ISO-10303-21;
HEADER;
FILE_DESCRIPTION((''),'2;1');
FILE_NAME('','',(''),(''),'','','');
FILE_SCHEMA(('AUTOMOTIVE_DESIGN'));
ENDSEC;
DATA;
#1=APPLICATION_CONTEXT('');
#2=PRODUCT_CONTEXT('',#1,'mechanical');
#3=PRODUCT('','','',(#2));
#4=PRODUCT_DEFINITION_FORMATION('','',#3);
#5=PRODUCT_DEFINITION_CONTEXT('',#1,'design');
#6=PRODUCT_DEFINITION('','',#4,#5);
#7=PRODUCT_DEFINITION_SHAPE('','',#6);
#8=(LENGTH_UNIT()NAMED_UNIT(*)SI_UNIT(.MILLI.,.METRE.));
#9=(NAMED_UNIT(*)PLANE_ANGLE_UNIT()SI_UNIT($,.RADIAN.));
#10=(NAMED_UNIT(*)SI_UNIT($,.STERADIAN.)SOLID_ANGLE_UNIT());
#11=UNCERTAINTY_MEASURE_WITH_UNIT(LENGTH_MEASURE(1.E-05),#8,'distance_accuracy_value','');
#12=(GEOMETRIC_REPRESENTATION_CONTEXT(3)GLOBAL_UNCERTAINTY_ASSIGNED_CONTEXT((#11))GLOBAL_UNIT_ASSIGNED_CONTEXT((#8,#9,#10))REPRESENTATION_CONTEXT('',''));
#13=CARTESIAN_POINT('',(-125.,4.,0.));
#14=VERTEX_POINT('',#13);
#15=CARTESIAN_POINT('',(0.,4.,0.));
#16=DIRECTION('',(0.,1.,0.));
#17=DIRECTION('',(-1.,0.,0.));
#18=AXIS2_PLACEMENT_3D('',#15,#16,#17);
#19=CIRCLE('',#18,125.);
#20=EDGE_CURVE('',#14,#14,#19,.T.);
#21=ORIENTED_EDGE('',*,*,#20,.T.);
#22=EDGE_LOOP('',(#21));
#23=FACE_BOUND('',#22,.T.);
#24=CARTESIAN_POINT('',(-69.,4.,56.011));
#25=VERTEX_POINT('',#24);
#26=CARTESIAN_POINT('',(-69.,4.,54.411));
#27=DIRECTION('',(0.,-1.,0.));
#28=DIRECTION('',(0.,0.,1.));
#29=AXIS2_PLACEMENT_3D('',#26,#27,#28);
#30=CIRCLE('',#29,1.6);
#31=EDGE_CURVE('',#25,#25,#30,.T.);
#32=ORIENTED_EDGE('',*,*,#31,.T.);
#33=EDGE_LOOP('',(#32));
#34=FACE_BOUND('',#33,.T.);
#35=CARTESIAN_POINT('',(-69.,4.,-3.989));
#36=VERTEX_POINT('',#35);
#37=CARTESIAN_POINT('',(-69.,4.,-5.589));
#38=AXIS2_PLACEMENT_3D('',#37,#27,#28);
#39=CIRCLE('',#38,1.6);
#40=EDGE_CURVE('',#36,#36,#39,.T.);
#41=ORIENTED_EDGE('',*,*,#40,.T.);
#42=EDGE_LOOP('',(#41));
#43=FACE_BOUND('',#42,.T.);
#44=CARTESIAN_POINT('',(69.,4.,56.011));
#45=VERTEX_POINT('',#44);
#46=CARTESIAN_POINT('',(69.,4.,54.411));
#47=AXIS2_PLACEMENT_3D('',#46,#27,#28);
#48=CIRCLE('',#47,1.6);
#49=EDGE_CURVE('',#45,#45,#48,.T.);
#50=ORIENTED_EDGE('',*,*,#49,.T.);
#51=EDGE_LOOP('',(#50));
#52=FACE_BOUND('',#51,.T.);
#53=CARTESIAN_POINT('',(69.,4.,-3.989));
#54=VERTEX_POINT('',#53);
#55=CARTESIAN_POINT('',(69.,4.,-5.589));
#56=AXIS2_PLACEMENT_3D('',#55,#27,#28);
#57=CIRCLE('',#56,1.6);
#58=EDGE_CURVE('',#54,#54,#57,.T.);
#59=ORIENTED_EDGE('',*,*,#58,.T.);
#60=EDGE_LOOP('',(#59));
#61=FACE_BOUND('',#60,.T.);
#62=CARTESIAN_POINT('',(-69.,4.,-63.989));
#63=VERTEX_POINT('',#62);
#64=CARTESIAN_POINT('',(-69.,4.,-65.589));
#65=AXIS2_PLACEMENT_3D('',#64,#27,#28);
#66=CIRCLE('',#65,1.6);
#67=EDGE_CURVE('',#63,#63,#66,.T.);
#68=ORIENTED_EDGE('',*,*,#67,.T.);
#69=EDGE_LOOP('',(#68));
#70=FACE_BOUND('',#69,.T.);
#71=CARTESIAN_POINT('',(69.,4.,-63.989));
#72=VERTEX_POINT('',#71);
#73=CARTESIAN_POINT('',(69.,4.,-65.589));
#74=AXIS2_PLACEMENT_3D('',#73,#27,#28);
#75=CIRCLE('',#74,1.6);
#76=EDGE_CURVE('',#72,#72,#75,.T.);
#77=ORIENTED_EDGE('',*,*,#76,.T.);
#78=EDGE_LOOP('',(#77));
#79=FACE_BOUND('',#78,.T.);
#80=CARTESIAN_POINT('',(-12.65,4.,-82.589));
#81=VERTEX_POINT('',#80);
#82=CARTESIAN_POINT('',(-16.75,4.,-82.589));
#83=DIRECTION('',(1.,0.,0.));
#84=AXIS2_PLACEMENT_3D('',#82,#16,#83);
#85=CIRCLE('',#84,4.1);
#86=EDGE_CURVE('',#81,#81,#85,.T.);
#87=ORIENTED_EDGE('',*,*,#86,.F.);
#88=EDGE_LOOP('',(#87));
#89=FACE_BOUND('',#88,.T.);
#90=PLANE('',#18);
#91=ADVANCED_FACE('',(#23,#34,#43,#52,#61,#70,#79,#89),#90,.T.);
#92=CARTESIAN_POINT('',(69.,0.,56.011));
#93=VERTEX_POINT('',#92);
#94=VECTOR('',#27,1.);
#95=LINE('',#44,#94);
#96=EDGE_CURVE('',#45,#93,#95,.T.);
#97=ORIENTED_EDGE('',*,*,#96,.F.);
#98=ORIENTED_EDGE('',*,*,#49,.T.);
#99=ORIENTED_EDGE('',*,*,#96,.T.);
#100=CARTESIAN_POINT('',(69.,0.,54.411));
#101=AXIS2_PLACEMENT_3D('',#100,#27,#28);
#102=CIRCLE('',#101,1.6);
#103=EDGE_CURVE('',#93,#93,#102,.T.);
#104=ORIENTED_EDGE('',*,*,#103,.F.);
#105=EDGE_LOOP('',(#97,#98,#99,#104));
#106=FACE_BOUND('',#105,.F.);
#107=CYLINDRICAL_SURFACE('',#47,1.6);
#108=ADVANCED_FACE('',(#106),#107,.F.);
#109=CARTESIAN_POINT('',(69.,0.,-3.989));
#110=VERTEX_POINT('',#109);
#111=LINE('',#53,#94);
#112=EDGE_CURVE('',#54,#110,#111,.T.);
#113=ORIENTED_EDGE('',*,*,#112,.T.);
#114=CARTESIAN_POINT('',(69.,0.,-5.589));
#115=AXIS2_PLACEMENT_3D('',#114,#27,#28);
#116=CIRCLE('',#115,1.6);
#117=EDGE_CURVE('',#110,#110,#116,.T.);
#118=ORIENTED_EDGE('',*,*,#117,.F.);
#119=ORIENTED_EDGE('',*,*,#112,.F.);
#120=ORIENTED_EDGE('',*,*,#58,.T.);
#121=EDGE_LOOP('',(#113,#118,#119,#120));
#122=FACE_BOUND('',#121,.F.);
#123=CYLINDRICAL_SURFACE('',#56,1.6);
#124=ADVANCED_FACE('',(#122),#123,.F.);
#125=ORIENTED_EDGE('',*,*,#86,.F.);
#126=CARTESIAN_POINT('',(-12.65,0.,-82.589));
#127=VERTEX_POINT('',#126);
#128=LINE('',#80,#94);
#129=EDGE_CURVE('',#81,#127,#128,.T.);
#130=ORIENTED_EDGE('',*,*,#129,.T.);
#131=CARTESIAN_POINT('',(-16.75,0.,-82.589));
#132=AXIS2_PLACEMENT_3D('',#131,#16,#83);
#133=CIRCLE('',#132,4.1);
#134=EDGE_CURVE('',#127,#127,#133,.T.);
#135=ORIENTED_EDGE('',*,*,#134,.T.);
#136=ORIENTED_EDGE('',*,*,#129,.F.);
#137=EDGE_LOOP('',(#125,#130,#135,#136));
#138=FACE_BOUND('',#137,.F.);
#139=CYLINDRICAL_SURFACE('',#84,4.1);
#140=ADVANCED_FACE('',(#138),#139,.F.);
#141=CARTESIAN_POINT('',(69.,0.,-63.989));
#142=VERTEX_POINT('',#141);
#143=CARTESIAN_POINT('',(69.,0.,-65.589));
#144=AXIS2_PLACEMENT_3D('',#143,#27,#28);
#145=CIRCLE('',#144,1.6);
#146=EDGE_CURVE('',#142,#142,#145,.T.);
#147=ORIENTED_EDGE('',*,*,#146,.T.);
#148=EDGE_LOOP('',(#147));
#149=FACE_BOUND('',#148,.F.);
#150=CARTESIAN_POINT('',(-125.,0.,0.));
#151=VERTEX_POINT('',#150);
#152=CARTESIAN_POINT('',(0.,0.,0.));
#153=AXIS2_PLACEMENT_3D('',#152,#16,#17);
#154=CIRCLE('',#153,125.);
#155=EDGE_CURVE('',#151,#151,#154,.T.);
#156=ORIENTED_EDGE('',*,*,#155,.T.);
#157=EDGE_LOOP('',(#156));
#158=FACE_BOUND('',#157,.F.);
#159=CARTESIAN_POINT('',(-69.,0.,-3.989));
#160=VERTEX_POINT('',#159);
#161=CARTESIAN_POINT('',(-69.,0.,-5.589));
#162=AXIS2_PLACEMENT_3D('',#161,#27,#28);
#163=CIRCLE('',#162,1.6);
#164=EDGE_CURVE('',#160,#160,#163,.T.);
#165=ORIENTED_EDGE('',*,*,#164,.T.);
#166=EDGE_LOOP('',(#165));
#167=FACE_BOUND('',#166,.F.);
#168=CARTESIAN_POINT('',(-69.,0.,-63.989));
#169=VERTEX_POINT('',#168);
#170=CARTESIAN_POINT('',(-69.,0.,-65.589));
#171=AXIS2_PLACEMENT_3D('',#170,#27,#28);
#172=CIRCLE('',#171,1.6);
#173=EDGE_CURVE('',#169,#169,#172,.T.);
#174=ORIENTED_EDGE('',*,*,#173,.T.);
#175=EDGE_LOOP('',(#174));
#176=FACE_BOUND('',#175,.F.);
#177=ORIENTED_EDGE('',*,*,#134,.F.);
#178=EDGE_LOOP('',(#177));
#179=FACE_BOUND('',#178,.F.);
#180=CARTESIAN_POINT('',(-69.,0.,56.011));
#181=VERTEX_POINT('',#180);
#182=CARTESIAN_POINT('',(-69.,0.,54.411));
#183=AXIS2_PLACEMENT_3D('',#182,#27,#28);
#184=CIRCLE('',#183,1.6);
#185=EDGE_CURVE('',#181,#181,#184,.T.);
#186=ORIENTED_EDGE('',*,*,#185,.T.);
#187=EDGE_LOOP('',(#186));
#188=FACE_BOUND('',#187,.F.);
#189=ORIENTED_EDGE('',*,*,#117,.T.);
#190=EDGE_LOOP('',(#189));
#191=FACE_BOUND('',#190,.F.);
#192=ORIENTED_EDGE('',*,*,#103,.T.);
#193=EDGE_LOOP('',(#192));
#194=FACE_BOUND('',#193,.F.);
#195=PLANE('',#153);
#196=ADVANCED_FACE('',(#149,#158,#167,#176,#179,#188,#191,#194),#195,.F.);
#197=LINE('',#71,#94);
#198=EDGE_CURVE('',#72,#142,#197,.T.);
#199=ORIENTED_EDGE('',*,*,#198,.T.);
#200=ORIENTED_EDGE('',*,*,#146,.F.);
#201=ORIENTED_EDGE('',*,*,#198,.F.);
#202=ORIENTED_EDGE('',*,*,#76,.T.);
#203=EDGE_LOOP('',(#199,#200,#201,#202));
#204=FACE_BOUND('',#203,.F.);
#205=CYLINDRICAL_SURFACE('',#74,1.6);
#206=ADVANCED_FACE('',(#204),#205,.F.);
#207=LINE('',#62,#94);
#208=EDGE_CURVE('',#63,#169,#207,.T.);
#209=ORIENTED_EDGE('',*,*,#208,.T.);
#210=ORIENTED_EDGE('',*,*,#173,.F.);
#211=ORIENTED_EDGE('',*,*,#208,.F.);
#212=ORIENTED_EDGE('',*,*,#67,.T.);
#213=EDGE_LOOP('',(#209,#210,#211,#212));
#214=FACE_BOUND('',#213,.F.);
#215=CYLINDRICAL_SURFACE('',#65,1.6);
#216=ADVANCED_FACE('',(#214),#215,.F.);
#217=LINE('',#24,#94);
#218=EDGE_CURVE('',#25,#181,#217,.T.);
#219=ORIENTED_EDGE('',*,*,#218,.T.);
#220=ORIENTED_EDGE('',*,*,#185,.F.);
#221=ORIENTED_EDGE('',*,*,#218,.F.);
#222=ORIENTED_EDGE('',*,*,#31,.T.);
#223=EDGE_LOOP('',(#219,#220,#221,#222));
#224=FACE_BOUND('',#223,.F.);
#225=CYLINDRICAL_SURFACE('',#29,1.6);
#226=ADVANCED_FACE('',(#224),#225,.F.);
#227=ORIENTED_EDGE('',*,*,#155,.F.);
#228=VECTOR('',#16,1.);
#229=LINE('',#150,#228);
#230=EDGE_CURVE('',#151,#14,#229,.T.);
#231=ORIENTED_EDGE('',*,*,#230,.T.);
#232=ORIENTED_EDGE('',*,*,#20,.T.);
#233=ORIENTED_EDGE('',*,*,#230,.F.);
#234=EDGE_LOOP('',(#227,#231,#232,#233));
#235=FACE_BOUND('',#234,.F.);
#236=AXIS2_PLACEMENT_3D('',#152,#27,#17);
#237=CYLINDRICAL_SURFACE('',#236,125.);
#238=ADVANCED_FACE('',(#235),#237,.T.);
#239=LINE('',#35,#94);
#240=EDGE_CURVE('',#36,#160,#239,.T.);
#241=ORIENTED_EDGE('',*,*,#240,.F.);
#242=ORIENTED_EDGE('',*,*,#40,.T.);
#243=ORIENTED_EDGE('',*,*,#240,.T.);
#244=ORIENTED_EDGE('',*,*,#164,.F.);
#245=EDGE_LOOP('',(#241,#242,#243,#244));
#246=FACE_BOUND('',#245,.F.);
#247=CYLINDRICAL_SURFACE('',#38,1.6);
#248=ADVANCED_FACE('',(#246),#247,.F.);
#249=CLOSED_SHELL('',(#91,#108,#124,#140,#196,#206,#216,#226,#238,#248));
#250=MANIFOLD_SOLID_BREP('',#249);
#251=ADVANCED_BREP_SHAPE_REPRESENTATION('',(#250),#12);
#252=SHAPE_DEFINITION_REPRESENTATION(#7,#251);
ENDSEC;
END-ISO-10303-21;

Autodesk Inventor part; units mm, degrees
ref_plane "YZ Plane" through (0, 0, 0) normal (1, 0, 0) x (0, 1, 0)
ref_plane "XZ Plane" through (0, 0, 0) normal (0, 1, 0) x (-1, 0, 0)
ref_plane "XY Plane" through (0, 0, 0) normal (0, 0, 1) x (1, 0, 0)
sketch "スケッチ1" plane through (0, 0, 0) normal (0, 1, 0) x (-1, 0, 0)
  circle A0 centre (0, 0) radius 125
  dimension "d0" = 250
extrude "押し出し1" add sketch "スケッチ1" along normal blind 4
sketch "スケッチ2" plane through (0, 4, 0) normal (0, 1, 0) x (1, 0, 0)
  line L0 (75, -84.411) -> (-75, -84.411)
  line L1 (-75, -84.411) -> (-75, 95.589)
  line L2 (-75, 95.589) -> (75, 95.589)
  line L3 (75, 95.589) -> (75, -84.411)
  line L4 (75, -84.411) -> (-75, 95.589) construction
  line L5 (-75, -84.411) -> (75, 95.589) construction
  circle A0 centre (0, 0) radius 121.5
  line L6 (0, 0) -> (0, -125) construction
  circle A1 centre (0, 0) radius 125 projected
  line L7 (0, 0) -> (108.2532, 62.5) construction
  line L8 (0, 0) -> (-108.2532, 62.5) construction
  circle A2 centre (-16.75, 82.589) radius 4.1
  point P0 (0, 5.589)
  dimension "d3" = 150
  dimension "d4" = 180
  dimension "d5" = 243
  dimension "d8" = 360
  dimension "d12" = 16.75
  dimension "d13" = 13
  dimension "d14" = 8.2
extrude "押し出し2" cut sketch "スケッチ2" against normal blind 4 contours A2
sketch "スケッチ4" plane through (0, 4, 0) normal (0, 1, 0) x (1, 0, 0)
  circle A0 centre (0, 0) radius 121.5
  line L0 (75, -84.411) -> (-75, -84.411)
  line L1 (-75, -84.411) -> (-75, 95.589)
  line L2 (-75, 95.589) -> (75, 95.589)
  line L3 (75, 95.589) -> (75, -84.411)
  line L4 (75, -84.411) -> (-75, 95.589) construction
  line L5 (-75, -84.411) -> (75, 95.589) construction
  line L6 (0, 0) -> (0, -29.9183)
  point P0 (0, 5.589)
  point P1 (69, -54.411)
  point P2 (69, 5.589)
  point P3 (69, 65.589)
  point P4 (-69, -54.411)
  point P5 (-69, 5.589)
  point P6 (-69, 65.589)
  dimension "d17" = 243
  dimension "d18" = 150
  dimension "d19" = 180
  dimension "d20" = 30
  dimension "d21" = 6
  dimension "d22" = 60
  dimension "d23" = 60
hole "穴1" at (69, 4, 54.411) at (69, 4, -5.589) at (69, 4, -65.589) at (-69, 4, -65.589) at (-69, 4, -5.589) at (-69, 4, 54.411) direction (0, -1, 0) diameter 3.2 end through all
properties part number "中間台1" material "MDF 中密度繊維ボード"
